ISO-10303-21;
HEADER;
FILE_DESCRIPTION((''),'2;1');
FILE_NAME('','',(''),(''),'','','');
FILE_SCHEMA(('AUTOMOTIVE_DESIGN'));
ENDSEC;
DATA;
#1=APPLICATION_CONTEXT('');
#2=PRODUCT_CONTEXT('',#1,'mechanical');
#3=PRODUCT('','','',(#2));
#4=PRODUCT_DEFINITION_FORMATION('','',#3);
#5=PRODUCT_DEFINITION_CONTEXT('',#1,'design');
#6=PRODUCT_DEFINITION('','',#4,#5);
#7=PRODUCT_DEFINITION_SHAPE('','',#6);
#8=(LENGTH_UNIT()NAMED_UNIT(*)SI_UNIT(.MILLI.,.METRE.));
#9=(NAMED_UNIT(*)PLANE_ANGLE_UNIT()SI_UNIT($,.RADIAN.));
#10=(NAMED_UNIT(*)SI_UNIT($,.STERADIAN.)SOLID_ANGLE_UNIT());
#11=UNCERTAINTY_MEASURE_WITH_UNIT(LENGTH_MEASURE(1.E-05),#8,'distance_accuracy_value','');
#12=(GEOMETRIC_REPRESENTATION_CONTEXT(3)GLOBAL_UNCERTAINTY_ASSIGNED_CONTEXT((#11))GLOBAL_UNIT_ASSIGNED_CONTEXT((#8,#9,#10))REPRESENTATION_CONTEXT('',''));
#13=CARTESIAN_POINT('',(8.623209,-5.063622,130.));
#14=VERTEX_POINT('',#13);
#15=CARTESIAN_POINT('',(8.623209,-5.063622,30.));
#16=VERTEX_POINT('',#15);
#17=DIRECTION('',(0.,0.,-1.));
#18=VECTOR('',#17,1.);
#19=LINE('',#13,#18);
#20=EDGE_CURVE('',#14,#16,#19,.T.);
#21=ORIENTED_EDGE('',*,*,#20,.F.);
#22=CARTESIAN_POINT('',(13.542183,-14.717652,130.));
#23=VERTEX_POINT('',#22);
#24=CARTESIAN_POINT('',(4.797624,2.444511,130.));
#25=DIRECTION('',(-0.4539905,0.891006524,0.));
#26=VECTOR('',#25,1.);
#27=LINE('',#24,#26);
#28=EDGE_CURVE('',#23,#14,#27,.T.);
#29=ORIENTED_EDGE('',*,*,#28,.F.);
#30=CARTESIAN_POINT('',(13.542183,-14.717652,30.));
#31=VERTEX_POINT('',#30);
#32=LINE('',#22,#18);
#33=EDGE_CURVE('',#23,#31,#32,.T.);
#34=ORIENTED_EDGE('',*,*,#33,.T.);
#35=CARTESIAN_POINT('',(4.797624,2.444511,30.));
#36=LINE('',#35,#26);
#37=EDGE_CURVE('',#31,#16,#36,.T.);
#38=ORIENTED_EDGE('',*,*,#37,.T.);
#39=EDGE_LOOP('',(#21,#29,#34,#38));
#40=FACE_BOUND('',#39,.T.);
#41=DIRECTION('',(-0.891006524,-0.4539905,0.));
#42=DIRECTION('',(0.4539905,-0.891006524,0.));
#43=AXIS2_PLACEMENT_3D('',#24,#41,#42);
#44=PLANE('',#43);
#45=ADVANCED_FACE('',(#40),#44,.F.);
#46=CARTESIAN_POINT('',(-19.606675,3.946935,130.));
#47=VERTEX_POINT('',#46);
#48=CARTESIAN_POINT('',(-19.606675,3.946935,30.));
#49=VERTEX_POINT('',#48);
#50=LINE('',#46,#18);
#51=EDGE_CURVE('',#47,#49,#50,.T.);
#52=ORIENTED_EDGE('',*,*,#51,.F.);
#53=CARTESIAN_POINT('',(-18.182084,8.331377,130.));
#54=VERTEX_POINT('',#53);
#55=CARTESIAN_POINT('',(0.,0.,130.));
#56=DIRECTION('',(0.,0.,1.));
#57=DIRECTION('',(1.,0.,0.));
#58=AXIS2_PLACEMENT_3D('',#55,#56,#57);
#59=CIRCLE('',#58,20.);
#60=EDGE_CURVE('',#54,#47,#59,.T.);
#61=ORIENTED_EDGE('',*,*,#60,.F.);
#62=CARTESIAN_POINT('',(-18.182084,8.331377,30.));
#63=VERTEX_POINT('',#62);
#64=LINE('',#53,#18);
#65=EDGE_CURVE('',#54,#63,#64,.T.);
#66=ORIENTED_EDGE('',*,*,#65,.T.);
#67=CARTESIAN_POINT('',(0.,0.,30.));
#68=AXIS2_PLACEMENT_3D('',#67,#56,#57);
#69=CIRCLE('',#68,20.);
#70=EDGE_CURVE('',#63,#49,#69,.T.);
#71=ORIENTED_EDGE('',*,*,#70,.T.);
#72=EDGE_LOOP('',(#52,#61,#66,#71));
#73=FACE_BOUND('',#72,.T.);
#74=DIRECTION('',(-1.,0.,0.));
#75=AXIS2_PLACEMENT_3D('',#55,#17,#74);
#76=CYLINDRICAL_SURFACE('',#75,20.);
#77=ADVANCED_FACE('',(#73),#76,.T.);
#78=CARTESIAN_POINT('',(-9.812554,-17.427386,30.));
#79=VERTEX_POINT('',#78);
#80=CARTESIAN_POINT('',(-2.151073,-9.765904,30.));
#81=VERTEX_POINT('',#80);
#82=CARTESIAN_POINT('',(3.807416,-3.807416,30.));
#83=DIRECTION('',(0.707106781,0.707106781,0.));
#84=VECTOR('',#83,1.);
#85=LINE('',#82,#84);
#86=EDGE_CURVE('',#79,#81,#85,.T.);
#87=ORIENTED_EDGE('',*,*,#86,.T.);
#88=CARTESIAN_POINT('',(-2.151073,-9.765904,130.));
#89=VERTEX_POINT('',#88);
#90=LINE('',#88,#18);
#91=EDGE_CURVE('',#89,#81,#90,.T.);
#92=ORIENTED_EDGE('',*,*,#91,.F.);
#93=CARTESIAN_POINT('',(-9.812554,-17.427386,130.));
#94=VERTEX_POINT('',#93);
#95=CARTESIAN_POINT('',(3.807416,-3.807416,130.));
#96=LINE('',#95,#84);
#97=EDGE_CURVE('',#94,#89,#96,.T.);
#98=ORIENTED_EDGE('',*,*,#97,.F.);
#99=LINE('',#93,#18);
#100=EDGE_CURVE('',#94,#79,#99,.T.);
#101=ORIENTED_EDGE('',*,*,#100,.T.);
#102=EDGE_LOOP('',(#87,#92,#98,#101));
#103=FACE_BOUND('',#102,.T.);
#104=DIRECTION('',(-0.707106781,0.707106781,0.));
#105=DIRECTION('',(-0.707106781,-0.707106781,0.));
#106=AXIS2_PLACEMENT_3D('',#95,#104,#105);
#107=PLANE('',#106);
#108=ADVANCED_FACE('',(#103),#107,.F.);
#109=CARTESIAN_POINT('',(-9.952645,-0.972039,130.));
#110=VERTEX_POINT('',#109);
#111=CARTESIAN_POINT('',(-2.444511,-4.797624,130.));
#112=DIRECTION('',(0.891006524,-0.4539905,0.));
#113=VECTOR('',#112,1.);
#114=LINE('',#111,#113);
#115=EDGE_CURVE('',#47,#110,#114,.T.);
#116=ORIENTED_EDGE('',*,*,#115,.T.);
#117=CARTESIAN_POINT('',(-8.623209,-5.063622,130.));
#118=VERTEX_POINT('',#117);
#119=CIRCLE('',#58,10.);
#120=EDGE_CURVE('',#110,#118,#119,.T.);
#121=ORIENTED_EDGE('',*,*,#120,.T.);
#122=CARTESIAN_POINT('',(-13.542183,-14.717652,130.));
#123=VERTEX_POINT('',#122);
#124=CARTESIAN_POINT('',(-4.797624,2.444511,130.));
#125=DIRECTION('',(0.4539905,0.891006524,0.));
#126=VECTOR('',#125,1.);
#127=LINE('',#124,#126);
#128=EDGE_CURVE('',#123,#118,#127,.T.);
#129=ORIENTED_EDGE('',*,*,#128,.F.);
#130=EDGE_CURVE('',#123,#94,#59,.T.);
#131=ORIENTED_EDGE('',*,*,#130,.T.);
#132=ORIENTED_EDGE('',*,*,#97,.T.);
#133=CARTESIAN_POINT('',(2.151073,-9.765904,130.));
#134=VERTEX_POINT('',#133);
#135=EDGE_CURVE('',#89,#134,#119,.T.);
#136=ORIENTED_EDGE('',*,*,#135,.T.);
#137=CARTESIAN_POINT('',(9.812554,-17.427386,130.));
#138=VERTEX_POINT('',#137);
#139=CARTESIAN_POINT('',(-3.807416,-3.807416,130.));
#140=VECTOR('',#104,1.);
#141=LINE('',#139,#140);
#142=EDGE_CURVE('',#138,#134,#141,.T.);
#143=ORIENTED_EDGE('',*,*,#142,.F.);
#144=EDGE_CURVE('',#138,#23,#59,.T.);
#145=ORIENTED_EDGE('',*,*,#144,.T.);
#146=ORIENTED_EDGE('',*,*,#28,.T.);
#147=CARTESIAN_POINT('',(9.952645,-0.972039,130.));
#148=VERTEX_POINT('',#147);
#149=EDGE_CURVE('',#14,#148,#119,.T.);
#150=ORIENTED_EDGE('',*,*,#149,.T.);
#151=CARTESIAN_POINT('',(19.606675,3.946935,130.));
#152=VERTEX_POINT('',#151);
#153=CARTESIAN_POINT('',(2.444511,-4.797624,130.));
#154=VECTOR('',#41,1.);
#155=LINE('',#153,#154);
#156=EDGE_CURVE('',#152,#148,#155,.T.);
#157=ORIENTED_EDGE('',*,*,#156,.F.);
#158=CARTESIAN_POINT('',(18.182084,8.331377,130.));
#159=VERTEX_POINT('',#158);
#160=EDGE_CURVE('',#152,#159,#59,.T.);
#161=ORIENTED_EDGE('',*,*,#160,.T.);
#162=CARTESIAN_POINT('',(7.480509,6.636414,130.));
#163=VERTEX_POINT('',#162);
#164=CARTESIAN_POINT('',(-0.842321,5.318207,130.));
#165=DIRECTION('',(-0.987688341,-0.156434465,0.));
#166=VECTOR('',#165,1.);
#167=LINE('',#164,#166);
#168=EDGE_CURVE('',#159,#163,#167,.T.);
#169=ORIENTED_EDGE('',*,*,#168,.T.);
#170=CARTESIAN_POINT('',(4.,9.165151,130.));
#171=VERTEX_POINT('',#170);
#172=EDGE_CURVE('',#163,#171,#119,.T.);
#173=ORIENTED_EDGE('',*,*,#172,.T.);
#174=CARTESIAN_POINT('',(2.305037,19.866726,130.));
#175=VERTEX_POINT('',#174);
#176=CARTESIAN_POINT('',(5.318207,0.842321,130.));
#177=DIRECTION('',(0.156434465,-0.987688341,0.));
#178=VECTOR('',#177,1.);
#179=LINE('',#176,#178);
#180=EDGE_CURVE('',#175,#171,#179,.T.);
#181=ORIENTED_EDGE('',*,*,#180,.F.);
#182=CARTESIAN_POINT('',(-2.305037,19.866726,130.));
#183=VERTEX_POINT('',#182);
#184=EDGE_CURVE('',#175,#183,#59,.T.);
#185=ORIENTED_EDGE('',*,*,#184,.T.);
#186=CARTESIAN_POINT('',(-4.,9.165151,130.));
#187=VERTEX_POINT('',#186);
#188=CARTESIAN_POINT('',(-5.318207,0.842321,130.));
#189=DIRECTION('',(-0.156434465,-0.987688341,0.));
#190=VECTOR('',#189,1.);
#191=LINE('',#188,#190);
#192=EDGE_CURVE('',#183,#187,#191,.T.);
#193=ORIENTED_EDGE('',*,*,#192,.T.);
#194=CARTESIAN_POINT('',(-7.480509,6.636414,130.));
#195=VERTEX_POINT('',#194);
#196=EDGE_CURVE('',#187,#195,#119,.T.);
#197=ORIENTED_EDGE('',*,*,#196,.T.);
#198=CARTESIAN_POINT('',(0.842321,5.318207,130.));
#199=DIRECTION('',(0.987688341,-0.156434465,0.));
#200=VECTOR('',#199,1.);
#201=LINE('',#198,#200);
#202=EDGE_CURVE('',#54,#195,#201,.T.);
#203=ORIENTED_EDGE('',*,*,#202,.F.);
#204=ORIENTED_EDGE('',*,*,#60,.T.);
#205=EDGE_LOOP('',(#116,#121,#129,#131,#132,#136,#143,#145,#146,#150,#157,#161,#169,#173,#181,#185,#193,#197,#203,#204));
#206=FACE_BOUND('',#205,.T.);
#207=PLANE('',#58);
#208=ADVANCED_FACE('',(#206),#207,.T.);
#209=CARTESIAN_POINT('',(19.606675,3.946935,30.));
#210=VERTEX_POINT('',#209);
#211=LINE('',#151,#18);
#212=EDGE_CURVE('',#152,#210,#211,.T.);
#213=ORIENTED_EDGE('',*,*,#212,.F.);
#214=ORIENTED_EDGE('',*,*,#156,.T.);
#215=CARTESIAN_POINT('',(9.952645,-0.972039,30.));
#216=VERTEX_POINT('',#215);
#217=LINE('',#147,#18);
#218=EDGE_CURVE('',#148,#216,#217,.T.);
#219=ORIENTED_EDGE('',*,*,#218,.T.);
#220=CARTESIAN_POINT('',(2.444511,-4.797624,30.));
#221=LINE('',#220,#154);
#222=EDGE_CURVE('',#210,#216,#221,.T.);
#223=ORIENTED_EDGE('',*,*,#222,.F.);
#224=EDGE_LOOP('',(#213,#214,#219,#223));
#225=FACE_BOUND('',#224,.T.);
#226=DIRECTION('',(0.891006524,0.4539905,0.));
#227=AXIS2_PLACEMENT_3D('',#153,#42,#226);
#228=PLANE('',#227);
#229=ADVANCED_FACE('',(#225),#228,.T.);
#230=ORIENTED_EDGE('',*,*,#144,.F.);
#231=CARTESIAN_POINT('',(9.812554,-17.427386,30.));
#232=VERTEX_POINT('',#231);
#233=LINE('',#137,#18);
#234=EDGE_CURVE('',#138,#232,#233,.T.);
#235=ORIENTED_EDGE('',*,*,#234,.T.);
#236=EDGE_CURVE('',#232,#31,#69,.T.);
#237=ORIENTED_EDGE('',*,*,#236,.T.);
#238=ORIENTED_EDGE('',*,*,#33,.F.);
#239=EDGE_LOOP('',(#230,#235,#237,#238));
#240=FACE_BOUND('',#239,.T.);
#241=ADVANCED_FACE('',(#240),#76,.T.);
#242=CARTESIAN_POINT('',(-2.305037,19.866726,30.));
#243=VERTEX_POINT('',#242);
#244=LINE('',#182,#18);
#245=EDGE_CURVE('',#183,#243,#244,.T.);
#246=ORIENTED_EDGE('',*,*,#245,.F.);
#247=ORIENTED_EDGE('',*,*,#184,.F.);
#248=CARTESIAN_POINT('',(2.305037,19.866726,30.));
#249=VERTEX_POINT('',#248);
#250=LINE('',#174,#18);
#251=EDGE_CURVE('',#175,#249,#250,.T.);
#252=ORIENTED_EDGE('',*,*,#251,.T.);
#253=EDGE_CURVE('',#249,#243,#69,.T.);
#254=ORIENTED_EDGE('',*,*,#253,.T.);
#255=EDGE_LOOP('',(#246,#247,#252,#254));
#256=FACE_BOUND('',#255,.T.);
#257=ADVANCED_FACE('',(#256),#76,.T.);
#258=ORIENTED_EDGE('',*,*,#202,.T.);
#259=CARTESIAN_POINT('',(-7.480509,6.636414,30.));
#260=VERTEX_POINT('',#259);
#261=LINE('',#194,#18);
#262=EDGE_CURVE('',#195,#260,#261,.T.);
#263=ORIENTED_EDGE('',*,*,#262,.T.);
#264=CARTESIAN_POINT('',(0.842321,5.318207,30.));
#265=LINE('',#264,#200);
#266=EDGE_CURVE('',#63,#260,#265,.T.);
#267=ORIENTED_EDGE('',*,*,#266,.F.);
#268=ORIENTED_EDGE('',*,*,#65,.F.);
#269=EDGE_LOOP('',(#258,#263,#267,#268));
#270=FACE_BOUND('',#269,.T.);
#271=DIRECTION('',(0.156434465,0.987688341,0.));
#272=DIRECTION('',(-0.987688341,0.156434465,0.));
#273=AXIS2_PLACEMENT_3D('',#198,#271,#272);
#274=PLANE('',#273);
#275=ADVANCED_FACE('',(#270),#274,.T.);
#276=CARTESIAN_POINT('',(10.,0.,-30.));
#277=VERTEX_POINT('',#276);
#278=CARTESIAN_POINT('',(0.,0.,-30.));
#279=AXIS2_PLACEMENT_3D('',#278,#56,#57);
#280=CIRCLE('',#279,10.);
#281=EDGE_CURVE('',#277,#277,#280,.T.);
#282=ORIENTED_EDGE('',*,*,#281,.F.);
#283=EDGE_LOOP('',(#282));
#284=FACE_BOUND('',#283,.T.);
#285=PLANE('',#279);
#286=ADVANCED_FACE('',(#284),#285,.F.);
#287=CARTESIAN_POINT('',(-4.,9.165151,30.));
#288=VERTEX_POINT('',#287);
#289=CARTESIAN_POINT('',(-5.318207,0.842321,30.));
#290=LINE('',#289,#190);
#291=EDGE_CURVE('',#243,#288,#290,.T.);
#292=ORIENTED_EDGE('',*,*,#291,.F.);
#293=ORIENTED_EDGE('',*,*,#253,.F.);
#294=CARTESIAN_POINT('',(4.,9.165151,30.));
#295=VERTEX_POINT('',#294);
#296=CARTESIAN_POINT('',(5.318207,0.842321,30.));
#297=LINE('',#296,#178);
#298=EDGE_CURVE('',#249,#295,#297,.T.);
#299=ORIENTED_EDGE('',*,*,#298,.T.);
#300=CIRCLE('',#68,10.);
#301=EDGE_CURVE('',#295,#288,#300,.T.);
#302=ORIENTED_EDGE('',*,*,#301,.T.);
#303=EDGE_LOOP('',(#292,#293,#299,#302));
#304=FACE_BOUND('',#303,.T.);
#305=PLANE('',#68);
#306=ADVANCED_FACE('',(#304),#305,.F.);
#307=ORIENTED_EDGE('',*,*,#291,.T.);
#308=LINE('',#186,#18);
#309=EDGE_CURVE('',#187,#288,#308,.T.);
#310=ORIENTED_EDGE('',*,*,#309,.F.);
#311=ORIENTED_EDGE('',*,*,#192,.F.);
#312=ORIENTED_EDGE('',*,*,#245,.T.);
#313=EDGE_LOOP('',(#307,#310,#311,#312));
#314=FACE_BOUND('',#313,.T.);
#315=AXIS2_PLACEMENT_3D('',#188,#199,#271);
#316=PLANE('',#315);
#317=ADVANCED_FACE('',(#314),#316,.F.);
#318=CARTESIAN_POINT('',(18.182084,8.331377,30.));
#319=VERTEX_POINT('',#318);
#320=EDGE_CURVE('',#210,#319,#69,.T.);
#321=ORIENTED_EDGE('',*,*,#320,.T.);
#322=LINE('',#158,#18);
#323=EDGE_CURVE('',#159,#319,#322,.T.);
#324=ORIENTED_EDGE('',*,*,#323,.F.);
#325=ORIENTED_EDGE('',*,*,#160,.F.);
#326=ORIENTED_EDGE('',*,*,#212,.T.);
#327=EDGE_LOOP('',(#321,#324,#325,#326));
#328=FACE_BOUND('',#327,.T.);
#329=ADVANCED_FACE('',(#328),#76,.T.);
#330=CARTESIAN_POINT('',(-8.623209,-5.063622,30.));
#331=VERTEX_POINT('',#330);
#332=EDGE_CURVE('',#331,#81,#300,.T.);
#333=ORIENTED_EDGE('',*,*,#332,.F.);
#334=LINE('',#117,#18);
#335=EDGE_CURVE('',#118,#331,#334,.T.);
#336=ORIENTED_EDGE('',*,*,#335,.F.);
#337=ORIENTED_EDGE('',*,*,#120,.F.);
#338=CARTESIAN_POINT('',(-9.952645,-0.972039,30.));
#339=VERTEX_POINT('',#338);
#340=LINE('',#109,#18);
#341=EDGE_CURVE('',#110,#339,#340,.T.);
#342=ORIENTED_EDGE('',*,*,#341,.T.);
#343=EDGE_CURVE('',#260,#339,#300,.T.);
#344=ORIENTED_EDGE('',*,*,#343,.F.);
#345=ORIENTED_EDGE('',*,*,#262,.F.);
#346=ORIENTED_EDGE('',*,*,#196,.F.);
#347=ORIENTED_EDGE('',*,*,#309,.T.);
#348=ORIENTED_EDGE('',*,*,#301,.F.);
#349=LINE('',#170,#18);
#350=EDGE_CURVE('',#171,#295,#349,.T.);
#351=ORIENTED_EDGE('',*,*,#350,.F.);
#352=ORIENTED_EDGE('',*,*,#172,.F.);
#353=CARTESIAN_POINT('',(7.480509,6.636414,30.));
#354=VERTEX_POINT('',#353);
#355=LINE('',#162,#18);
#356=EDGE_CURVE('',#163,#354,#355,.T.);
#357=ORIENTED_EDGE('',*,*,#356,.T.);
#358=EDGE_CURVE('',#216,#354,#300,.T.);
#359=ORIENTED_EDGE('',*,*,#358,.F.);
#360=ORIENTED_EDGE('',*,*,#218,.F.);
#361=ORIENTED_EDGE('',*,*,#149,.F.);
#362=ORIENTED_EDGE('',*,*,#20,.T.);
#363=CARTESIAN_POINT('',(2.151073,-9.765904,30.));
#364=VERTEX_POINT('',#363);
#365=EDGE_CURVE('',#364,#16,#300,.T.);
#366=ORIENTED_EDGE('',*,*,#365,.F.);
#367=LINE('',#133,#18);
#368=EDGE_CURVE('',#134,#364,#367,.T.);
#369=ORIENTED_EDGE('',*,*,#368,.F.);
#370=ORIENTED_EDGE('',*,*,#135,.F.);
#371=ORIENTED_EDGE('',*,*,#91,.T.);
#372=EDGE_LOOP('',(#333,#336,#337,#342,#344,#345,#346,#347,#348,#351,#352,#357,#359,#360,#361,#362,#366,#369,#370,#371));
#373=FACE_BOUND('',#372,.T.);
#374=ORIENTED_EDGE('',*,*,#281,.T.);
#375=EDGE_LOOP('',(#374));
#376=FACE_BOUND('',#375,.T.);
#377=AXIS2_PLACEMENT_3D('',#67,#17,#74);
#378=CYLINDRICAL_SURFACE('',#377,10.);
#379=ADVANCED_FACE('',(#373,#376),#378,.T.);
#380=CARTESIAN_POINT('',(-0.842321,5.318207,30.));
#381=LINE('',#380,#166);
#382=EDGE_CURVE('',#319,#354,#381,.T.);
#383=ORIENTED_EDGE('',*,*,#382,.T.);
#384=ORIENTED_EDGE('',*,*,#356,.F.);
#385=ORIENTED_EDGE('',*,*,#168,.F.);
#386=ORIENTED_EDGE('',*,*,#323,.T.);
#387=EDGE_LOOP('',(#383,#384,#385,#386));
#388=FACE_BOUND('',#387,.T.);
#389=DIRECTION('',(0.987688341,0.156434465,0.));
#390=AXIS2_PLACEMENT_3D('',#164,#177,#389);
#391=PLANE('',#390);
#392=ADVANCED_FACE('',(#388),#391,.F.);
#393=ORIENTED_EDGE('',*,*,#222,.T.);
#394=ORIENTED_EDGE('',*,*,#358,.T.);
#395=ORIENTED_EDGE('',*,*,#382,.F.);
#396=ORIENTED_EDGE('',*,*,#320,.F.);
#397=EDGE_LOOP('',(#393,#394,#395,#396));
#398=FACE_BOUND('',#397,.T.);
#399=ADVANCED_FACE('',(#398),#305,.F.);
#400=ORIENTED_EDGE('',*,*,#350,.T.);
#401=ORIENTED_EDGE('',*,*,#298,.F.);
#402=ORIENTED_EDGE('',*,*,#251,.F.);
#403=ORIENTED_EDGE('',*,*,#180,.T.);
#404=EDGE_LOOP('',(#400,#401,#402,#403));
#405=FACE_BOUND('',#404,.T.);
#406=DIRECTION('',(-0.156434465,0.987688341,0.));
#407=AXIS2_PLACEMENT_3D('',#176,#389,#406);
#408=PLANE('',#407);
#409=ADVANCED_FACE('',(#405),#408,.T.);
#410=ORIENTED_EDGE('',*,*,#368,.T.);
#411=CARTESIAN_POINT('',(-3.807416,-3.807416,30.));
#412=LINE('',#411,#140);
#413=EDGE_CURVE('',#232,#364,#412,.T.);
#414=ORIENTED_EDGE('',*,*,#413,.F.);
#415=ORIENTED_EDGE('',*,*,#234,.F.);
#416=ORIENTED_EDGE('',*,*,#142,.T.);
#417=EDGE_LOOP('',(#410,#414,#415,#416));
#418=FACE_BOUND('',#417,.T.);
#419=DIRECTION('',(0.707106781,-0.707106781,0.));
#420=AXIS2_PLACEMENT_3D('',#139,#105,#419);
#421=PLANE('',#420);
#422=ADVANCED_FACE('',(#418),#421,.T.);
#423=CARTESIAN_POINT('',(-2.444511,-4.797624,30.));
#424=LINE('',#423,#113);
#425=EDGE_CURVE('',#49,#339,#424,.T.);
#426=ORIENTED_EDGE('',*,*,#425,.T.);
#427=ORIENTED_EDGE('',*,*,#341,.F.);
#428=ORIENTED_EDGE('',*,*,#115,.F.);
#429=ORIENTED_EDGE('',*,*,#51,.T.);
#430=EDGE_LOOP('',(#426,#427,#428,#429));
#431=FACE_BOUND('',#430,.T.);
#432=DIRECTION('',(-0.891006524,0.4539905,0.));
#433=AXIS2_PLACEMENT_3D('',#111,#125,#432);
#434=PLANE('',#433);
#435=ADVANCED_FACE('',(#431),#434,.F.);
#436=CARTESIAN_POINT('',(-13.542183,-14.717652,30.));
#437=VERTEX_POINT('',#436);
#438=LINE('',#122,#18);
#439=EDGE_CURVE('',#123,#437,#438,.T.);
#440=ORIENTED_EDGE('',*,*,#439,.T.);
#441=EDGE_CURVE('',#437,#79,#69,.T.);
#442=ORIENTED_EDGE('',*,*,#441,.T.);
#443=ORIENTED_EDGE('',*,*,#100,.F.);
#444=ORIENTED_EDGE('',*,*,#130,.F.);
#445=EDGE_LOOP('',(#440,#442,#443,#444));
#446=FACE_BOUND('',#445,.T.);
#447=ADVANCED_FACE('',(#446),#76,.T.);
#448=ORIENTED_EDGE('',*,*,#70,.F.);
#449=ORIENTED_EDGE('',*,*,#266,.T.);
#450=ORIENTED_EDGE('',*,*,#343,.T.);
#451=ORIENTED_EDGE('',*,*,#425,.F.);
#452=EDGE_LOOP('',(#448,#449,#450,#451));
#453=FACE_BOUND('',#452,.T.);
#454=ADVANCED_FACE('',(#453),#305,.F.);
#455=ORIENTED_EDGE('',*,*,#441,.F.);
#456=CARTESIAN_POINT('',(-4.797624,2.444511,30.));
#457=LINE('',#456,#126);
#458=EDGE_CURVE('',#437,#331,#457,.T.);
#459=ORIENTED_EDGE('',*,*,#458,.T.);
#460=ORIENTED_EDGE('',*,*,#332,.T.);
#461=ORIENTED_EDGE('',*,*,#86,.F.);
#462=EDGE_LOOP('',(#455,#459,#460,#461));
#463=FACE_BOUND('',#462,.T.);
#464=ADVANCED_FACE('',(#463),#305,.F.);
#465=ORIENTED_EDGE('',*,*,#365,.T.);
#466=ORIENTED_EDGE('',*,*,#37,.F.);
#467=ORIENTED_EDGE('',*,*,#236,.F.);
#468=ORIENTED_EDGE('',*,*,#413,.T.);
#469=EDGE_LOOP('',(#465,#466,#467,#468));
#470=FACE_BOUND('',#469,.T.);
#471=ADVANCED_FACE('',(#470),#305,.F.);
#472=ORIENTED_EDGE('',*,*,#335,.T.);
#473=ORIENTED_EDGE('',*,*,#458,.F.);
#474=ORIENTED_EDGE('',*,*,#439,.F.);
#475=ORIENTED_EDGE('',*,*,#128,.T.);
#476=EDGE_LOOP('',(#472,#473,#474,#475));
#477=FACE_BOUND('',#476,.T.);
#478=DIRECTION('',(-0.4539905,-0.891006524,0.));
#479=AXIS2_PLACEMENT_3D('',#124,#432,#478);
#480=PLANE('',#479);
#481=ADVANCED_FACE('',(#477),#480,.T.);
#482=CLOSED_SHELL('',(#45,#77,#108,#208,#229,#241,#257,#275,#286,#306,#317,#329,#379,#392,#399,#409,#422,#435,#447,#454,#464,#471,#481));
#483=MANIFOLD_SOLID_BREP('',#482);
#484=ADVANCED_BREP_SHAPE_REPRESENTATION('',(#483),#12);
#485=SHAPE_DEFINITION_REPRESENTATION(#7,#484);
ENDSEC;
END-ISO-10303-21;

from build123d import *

# Parameters (mm, degrees)
SKETCH1_R           = 10
BOSS_EXTRUDE1_DEPTH = 30
BOSS_EXTRUDE2_DEPTH = 100


with BuildPart() as part:
    # Sketch1 → Boss-Extrude1 (new body, symmetric)
    with BuildSketch(Plane.XY):
        Circle(SKETCH1_R)
    extrude(amount=BOSS_EXTRUDE1_DEPTH, both=True)

    # Sketch2 → Boss-Extrude2 (add)
    with BuildSketch(Plane.XY.offset(30)):
        with BuildLine():
            ThreePointArc((2.305037087, 19.866726052), (0, 20), (-2.305037087, 19.866726052))
            Line((-2.305037087, 19.866726052), (-4, 9.16515139))
            ThreePointArc((-4, 9.16515139), (-5.877852523, 8.090169944), (-7.480508975, 6.636413601))
            Line((-7.480508975, 6.636413601), (-18.182083637, 8.331376514))
            ThreePointArc((-18.182083637, 8.331376514), (-19.021130326, 6.180339887), (-19.606674902, 3.946935431))
            Line((-19.606674902, 3.946935431), (-9.95264493, -0.97203853))
            ThreePointArc((-9.95264493, -0.97203853), (-9.510565163, -3.090169944), (-8.6232088, -5.063622221))
            Line((-8.6232088, -5.063622221), (-13.54218276, -14.717652193))
            ThreePointArc((-13.54218276, -14.717652193), (-11.755705046, -16.180339887), (-9.812554409, -17.427385804))
            Line((-9.812554409, -17.427385804), (-2.151072845, -9.76590424))
            ThreePointArc((-2.151072845, -9.76590424), (0, -10), (2.151072845, -9.76590424))
            Line((2.151072845, -9.76590424), (9.812554409, -17.427385804))
            ThreePointArc((9.812554409, -17.427385804), (11.755705046, -16.180339887), (13.54218276, -14.717652193))
            Line((13.54218276, -14.717652193), (8.6232088, -5.063622221))
            ThreePointArc((8.6232088, -5.063622221), (9.510565163, -3.090169944), (9.95264493, -0.97203853))
            Line((9.95264493, -0.97203853), (19.606674902, 3.946935431))
            ThreePointArc((19.606674902, 3.946935431), (19.021130326, 6.180339887), (18.182083637, 8.331376514))
            Line((18.182083637, 8.331376514), (7.480508975, 6.636413601))
            ThreePointArc((7.480508975, 6.636413601), (5.877852523, 8.090169944), (4, 9.16515139))
            Line((4, 9.16515139), (2.305037087, 19.866726052))
        make_face()
    extrude(amount=BOSS_EXTRUDE2_DEPTH)


solid = part.part
